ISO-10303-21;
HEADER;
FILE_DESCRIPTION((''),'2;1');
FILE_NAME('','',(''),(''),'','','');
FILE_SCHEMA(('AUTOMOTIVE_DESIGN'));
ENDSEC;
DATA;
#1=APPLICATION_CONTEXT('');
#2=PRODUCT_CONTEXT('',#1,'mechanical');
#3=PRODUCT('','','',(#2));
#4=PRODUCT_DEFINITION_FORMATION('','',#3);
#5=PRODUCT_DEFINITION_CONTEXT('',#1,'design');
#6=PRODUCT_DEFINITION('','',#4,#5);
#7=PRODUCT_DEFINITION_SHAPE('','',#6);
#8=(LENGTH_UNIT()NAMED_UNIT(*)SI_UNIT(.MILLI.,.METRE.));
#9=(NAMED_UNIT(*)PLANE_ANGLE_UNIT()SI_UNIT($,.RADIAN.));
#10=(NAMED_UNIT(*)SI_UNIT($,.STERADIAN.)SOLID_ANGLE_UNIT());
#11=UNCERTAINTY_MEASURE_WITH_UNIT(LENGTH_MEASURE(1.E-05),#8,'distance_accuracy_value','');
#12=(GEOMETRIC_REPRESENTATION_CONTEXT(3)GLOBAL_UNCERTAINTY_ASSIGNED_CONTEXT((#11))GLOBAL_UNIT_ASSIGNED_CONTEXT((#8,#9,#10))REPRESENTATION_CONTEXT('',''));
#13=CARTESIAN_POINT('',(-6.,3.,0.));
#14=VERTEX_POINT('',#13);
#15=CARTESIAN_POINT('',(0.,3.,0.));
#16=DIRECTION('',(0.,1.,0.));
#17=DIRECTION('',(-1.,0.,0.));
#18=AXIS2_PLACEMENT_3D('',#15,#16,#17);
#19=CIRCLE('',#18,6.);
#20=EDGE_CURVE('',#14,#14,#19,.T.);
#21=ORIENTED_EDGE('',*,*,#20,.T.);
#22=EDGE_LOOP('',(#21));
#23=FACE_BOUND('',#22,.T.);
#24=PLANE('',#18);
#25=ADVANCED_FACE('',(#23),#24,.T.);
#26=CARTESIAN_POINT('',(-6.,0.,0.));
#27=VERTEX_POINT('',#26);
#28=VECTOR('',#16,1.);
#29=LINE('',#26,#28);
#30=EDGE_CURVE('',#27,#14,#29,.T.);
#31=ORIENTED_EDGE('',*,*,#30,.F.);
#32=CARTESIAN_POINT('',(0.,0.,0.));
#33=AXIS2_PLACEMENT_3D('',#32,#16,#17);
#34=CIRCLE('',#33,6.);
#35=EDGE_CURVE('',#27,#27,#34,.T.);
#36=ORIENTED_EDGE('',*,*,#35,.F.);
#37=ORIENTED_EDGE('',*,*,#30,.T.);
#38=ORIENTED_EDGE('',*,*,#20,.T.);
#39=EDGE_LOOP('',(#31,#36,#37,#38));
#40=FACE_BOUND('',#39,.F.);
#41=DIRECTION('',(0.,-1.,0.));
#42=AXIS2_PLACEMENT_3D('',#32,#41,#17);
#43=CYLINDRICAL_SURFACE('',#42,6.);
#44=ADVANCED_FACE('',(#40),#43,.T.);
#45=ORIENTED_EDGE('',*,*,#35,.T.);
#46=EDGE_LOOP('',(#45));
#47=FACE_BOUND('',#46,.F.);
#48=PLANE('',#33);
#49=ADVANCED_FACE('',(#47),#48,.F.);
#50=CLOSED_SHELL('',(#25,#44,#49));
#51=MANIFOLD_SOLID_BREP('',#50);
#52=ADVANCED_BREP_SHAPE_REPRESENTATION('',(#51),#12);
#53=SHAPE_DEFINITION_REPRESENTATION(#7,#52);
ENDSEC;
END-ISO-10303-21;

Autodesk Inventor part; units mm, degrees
ref_plane "YZ Plane" through (0, 0, 0) normal (1, 0, 0) x (0, 1, 0)
ref_plane "XZ Plane" through (0, 0, 0) normal (0, 1, 0) x (-1, 0, 0)
ref_plane "XY Plane" through (0, 0, 0) normal (0, 0, 1) x (1, 0, 0)
sketch "Skizze1" plane through (0, 0, 0) normal (0, 1, 0) x (-1, 0, 0)
  circle A0 centre (0, 0) radius 6
  dimension "d0" = 12
extrude "Extrusion1" add sketch "Skizze1" along normal blind 3
properties part number "00_Comar_Mirror"
